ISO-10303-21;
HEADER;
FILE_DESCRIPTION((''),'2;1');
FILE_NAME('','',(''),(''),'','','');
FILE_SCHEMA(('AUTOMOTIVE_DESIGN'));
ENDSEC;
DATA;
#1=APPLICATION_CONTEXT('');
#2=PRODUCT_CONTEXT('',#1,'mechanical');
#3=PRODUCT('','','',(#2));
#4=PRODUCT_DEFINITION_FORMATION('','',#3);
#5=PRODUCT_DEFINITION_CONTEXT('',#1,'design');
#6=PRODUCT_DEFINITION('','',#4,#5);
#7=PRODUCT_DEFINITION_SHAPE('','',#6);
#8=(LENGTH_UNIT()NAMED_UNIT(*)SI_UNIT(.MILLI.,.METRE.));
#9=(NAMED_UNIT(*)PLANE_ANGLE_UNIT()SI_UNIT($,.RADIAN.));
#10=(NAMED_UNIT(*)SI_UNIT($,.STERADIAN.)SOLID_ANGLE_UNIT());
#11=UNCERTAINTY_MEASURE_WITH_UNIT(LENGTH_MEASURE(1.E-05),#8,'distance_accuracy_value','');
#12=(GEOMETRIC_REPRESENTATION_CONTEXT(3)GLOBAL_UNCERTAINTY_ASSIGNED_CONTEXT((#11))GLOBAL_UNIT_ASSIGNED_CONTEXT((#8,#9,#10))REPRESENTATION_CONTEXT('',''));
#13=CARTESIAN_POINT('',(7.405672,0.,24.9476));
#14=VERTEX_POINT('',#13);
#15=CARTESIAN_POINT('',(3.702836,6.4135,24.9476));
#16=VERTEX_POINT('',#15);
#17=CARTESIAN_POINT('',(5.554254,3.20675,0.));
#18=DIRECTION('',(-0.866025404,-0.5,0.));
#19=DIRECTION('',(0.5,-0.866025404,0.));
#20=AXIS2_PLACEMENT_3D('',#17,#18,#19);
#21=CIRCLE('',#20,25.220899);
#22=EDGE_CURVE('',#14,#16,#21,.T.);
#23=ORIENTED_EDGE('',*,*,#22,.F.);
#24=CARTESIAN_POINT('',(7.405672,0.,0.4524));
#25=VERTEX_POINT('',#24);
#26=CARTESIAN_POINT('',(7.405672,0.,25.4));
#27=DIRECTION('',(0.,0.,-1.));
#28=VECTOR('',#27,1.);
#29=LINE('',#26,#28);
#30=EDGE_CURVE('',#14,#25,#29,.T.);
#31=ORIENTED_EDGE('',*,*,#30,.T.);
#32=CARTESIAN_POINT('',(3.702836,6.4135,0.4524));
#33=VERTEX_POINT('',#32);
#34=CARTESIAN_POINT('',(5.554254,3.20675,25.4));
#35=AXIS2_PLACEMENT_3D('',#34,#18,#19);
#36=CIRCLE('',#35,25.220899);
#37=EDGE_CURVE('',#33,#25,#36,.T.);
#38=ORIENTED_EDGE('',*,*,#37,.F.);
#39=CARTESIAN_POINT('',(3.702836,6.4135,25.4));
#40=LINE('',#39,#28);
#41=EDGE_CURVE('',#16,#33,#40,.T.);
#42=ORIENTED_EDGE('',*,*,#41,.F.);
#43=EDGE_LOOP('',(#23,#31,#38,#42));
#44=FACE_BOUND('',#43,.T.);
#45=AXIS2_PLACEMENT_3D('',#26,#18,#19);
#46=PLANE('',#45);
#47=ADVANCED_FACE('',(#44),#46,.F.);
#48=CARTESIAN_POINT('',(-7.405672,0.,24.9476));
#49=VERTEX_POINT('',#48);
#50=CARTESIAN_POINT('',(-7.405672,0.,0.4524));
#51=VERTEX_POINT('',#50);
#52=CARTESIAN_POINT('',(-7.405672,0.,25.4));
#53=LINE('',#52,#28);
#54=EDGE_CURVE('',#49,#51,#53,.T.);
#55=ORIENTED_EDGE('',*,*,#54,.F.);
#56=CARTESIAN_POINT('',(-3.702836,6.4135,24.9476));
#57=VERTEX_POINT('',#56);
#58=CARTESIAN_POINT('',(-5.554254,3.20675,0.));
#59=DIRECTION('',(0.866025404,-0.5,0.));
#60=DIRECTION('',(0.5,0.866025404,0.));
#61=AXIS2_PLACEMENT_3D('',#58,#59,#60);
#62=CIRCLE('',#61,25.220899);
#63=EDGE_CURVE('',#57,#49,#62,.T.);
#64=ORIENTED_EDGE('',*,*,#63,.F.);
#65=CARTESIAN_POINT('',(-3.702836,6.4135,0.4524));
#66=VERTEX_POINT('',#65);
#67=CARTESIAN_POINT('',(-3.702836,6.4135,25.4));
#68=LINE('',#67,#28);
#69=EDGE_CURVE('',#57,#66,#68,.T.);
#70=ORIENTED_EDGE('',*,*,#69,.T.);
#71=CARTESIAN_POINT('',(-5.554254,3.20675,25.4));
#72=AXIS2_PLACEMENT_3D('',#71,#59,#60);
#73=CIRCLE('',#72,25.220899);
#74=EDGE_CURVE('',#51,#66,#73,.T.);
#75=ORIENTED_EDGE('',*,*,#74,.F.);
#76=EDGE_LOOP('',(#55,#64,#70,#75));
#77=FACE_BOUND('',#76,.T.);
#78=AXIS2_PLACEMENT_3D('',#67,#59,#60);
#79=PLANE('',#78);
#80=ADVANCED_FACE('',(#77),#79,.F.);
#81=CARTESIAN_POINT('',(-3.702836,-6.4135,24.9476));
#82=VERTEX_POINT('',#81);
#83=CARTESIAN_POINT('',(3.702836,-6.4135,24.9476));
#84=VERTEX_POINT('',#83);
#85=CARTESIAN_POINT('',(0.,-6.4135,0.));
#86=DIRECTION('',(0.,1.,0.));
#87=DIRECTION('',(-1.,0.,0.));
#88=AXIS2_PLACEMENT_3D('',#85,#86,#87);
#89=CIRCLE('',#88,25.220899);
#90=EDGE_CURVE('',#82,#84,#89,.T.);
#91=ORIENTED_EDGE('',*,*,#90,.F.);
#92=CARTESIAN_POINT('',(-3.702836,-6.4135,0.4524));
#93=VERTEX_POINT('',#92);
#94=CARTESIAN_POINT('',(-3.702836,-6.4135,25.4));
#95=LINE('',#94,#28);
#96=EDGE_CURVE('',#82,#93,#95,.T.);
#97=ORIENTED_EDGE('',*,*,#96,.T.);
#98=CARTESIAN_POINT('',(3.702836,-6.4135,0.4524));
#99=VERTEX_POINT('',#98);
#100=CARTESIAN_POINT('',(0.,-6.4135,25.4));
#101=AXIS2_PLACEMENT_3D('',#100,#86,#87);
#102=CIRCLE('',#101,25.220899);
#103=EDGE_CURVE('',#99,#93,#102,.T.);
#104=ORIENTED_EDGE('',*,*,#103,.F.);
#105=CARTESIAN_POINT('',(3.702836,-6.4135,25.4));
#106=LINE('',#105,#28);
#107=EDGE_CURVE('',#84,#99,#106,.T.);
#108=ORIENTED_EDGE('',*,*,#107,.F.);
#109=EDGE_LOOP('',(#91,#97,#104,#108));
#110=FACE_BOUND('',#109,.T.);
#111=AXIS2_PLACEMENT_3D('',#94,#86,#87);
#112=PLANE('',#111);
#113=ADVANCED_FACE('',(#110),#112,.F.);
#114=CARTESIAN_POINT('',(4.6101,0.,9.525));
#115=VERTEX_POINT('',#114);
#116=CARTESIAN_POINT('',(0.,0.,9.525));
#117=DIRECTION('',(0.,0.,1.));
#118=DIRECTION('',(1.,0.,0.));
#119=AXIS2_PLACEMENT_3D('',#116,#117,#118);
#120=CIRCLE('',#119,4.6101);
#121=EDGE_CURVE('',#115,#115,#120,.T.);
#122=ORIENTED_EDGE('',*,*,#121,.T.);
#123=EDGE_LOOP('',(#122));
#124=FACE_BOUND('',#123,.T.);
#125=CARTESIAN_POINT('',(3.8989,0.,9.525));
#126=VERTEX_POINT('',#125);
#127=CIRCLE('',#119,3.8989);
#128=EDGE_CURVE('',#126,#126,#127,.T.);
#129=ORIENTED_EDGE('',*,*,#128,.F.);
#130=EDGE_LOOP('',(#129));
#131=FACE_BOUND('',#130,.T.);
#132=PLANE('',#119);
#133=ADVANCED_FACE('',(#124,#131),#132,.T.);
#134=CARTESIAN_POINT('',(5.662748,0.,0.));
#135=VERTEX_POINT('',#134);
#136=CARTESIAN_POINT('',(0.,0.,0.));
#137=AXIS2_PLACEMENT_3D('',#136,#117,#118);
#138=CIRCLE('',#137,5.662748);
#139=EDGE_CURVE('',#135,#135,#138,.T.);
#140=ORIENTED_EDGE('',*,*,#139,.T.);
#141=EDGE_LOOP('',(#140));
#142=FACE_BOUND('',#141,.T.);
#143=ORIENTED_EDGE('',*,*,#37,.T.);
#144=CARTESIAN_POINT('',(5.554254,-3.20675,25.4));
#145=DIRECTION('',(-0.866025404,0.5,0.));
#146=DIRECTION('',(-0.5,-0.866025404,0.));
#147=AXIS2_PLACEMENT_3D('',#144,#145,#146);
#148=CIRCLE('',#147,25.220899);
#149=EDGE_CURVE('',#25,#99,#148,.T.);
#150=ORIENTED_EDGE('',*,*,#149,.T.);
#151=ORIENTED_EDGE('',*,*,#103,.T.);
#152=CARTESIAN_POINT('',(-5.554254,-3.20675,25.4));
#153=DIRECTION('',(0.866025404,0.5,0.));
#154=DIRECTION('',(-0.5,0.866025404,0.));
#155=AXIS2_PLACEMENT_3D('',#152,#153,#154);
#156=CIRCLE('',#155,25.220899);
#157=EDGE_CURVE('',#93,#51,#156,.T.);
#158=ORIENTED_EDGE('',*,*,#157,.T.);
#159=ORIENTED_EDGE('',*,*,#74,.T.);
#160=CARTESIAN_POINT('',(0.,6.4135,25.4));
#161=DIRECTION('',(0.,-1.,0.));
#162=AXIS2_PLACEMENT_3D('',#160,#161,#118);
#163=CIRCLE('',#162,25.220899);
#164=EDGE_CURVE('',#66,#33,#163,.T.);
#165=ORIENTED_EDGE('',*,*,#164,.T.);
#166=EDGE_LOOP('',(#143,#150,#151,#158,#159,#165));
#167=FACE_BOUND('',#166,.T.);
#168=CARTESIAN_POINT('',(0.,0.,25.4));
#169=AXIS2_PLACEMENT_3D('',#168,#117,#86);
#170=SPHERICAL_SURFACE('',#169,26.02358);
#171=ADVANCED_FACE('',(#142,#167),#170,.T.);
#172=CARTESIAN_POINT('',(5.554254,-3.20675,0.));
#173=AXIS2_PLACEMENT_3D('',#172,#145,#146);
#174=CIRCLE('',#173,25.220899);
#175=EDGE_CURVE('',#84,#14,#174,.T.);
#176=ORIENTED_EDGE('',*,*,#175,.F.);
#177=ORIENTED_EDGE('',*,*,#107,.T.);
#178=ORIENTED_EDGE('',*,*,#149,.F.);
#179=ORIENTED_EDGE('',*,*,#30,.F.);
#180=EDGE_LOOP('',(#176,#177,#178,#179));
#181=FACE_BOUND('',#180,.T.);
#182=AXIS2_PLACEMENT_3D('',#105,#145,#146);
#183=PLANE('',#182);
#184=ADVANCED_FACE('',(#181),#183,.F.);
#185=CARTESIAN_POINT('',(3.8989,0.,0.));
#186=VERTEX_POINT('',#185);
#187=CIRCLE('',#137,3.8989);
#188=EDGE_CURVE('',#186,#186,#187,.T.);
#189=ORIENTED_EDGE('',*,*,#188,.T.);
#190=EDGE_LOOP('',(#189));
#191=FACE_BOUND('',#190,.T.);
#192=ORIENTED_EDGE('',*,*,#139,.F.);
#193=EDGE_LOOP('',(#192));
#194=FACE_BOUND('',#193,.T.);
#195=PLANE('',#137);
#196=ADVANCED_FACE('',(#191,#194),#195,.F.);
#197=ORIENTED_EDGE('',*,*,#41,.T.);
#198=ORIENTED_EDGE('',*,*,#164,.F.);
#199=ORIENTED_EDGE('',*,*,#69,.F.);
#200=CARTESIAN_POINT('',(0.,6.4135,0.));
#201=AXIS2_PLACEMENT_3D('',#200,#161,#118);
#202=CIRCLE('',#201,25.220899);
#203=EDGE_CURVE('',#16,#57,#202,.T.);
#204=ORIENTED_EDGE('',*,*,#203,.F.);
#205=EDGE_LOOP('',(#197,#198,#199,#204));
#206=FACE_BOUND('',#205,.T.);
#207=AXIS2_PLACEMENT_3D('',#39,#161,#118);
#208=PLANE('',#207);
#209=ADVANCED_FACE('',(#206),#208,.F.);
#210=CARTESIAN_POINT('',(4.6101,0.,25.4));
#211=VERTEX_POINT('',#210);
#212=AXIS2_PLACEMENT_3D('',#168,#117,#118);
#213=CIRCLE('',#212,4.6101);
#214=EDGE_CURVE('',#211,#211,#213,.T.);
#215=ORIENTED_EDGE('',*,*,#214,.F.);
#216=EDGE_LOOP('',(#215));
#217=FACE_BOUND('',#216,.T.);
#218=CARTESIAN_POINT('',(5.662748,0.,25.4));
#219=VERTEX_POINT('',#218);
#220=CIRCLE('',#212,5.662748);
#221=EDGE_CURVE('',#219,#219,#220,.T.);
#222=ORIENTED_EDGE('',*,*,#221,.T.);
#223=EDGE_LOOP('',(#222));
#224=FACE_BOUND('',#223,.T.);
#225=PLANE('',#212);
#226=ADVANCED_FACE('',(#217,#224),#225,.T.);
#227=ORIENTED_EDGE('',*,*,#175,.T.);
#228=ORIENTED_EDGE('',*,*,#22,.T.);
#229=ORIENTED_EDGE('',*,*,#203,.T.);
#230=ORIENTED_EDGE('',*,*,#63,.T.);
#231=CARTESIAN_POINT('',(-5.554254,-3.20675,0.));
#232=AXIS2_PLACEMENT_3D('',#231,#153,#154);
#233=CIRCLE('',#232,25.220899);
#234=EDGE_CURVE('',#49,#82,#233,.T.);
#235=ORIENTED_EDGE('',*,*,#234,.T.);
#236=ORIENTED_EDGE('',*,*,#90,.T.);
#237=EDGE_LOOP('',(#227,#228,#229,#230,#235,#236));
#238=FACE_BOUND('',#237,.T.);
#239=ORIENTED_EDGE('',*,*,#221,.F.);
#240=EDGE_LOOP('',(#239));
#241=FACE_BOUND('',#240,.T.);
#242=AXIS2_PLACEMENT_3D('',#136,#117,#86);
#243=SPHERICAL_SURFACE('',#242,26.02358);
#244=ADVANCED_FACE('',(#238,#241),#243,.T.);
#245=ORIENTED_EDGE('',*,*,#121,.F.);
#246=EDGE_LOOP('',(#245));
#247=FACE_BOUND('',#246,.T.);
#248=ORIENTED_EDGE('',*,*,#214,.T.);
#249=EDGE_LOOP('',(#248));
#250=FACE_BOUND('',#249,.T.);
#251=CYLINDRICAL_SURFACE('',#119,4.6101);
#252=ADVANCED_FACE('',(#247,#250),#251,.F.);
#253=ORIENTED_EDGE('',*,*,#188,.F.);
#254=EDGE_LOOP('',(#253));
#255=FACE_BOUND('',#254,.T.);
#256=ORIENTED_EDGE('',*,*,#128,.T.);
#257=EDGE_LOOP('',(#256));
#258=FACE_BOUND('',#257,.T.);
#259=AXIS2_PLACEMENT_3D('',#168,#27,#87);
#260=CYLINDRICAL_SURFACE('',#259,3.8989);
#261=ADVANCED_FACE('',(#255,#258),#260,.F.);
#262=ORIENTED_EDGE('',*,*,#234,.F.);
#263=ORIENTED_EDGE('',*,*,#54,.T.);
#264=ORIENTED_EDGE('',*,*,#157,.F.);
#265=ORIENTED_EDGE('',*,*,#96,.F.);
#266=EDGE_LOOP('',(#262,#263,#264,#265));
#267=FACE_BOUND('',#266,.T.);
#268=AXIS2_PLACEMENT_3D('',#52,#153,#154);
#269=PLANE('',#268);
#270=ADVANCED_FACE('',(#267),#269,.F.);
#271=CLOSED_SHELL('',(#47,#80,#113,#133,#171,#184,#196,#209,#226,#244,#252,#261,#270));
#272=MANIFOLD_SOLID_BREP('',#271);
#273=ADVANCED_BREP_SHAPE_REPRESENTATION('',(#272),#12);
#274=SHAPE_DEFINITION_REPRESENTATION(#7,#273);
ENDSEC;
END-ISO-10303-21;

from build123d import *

# Parameters (mm, degrees)
SKETCH1_R           = 3.8989
BOSS_EXTRUDE1_DEPTH = 25.4
SKETCH2_R           = 4.6101
CUT_EXTRUDE1_DEPTH  = 15.875


with BuildPart() as part:
    # Sketch1 → Boss-Extrude1 (new body)
    with BuildSketch(Plane.XY):
        Polygon((7.405671903, 0), (3.702835951, 6.4135), (-3.702835951, 6.4135), (-7.405671903, 0), (-3.702835951, -6.4135), (3.702835951, -6.4135), align=None)
        Circle(SKETCH1_R, mode=Mode.SUBTRACT)
    extrude(amount=BOSS_EXTRUDE1_DEPTH)

    # Sketch2 → Cut-Extrude1 (cut)
    with BuildSketch(Plane.XY.offset(25.4)):
        Circle(SKETCH2_R)
    extrude(amount=-CUT_EXTRUDE1_DEPTH, mode=Mode.SUBTRACT)

    # Sketch3 → Cut-Revolve1 (revolve, cut)
    with BuildSketch(Plane(origin=(0, 0, 0), x_dir=(0, 0, -1), z_dir=(1, 0, 0)), mode=Mode.PRIVATE) as cut_revolve1_sk:
        with BuildLine():
            Line((0.623579889, 0), (5.658105548, 0))
            ThreePointArc((5.658105548, 0), (5.185391635, 5.398123633), (3.781639599, 10.631925064))
            Line((3.781639599, 10.631925064), (-1.647339525, 10.631925064))
            ThreePointArc((-1.647339525, 10.631925064), (0.049518342, 5.435874022), (0.623579889, 0))
        make_face()
        with BuildLine():
            Line((-23.752660475, 10.631925064), (-29.181639599, 10.631925064))
            ThreePointArc((-29.181639599, 10.631925064), (-30.585391635, 5.398123633), (-31.058105548, 0))
            Line((-31.058105548, 0), (-26.023579889, 0))
            ThreePointArc((-26.023579889, 0), (-25.449518342, 5.435874022), (-23.752660475, 10.631925064))
        make_face()
    revolve(cut_revolve1_sk.sketch.rotate(Axis((0, 0, 21.887655645), (0, 0, -1)), 90), axis=Axis((0, 0, 21.887655645), (0, 0, -1)), mode=Mode.SUBTRACT)


solid = part.part
